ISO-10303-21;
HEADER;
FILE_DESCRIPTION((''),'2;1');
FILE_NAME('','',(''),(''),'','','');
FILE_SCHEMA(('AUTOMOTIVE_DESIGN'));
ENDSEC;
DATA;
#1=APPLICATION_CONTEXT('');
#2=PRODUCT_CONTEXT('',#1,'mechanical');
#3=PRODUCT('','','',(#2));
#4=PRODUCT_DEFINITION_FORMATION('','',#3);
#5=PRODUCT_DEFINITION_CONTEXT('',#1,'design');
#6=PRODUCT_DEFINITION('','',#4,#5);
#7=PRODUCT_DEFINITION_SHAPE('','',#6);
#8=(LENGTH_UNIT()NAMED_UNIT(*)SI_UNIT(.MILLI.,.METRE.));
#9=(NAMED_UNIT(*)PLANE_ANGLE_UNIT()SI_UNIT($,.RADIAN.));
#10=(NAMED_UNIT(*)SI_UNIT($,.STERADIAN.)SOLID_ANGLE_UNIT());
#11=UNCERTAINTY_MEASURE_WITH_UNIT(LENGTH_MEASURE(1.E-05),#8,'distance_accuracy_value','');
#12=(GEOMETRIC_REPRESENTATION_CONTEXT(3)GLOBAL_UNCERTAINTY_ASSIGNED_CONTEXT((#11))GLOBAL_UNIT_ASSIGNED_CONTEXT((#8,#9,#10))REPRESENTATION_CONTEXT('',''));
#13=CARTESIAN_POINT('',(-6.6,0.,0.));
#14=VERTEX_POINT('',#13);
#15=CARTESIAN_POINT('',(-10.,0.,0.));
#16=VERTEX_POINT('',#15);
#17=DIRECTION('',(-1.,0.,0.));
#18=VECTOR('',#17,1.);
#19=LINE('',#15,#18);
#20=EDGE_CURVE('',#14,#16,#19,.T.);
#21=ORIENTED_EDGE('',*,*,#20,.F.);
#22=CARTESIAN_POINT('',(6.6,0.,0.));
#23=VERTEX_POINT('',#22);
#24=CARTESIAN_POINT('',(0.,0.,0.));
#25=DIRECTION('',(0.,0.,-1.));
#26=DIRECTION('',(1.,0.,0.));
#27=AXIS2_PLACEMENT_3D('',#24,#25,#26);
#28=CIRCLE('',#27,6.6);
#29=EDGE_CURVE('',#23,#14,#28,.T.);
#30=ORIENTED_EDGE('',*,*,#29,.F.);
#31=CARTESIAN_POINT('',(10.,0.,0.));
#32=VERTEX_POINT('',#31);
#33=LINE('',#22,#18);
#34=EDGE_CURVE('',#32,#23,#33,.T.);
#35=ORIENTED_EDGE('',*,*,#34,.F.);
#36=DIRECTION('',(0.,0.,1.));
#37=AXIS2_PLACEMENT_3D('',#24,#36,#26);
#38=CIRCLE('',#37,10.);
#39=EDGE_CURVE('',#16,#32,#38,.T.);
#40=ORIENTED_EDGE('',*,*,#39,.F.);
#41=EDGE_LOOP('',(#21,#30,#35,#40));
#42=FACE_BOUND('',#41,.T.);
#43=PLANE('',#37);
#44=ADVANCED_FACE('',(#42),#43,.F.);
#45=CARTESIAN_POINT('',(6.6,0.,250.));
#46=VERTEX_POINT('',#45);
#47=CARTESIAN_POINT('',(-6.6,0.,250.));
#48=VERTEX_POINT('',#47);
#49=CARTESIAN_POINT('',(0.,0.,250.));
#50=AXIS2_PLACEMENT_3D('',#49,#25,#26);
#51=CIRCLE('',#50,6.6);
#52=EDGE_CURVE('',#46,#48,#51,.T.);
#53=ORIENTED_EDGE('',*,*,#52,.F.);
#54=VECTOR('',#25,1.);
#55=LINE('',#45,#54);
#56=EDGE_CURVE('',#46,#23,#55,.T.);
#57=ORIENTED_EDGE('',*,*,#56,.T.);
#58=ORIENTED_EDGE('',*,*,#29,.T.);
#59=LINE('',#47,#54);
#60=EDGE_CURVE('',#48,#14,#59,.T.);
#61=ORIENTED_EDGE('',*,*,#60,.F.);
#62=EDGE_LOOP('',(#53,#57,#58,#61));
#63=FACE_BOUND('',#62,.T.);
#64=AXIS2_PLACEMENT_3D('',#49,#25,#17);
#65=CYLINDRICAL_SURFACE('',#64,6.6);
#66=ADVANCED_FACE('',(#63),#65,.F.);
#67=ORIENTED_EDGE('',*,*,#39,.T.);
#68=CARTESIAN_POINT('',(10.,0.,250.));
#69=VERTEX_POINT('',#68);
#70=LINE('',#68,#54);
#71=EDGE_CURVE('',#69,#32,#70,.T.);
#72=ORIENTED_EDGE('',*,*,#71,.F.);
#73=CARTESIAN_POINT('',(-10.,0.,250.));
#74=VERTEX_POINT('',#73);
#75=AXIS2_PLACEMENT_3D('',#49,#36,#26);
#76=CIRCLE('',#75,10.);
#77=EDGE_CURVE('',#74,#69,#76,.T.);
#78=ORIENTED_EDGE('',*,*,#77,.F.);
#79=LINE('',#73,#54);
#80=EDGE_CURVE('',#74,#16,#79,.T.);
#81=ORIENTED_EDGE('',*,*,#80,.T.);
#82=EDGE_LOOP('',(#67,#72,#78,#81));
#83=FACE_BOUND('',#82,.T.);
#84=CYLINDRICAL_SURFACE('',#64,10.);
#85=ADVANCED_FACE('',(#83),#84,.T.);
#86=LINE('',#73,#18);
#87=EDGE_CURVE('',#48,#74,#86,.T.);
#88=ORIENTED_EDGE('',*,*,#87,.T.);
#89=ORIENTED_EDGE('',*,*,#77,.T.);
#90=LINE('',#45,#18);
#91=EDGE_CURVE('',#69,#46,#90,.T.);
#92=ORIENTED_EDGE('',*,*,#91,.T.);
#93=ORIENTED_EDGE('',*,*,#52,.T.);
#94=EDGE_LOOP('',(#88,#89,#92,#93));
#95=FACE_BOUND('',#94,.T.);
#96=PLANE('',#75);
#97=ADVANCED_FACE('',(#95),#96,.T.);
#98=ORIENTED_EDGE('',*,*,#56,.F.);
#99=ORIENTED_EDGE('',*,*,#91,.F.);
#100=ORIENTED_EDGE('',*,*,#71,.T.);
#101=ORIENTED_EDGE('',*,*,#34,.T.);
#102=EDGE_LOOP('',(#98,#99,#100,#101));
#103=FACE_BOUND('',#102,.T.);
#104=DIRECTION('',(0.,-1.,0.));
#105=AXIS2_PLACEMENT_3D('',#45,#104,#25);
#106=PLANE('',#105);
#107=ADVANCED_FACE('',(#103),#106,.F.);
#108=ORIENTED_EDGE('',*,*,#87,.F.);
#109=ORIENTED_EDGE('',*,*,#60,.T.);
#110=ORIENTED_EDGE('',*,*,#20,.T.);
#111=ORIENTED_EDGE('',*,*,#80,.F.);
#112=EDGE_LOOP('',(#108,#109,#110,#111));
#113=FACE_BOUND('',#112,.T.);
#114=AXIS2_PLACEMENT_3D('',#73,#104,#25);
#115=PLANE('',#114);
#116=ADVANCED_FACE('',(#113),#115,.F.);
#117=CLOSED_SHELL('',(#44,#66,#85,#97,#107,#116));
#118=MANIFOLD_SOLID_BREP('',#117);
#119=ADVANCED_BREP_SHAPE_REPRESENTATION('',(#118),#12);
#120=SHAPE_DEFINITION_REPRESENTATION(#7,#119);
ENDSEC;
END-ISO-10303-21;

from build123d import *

# Parameters (mm, degrees)
EXTRUDE_1_DEPTH = 250


with BuildPart() as part:
    # 草图1 → 凸台-拉伸1 (new body)
    with BuildSketch(Plane.XY):
        with BuildLine():
            Line((-10, 0), (-6.6, 0))
            ThreePointArc((-6.6, 0), (0, -6.6), (6.6, 0))
            Line((6.6, 0), (10, 0))
            ThreePointArc((10, 0), (0, -10), (-10, 0))
        make_face()
    extrude(amount=EXTRUDE_1_DEPTH)


solid = part.part
